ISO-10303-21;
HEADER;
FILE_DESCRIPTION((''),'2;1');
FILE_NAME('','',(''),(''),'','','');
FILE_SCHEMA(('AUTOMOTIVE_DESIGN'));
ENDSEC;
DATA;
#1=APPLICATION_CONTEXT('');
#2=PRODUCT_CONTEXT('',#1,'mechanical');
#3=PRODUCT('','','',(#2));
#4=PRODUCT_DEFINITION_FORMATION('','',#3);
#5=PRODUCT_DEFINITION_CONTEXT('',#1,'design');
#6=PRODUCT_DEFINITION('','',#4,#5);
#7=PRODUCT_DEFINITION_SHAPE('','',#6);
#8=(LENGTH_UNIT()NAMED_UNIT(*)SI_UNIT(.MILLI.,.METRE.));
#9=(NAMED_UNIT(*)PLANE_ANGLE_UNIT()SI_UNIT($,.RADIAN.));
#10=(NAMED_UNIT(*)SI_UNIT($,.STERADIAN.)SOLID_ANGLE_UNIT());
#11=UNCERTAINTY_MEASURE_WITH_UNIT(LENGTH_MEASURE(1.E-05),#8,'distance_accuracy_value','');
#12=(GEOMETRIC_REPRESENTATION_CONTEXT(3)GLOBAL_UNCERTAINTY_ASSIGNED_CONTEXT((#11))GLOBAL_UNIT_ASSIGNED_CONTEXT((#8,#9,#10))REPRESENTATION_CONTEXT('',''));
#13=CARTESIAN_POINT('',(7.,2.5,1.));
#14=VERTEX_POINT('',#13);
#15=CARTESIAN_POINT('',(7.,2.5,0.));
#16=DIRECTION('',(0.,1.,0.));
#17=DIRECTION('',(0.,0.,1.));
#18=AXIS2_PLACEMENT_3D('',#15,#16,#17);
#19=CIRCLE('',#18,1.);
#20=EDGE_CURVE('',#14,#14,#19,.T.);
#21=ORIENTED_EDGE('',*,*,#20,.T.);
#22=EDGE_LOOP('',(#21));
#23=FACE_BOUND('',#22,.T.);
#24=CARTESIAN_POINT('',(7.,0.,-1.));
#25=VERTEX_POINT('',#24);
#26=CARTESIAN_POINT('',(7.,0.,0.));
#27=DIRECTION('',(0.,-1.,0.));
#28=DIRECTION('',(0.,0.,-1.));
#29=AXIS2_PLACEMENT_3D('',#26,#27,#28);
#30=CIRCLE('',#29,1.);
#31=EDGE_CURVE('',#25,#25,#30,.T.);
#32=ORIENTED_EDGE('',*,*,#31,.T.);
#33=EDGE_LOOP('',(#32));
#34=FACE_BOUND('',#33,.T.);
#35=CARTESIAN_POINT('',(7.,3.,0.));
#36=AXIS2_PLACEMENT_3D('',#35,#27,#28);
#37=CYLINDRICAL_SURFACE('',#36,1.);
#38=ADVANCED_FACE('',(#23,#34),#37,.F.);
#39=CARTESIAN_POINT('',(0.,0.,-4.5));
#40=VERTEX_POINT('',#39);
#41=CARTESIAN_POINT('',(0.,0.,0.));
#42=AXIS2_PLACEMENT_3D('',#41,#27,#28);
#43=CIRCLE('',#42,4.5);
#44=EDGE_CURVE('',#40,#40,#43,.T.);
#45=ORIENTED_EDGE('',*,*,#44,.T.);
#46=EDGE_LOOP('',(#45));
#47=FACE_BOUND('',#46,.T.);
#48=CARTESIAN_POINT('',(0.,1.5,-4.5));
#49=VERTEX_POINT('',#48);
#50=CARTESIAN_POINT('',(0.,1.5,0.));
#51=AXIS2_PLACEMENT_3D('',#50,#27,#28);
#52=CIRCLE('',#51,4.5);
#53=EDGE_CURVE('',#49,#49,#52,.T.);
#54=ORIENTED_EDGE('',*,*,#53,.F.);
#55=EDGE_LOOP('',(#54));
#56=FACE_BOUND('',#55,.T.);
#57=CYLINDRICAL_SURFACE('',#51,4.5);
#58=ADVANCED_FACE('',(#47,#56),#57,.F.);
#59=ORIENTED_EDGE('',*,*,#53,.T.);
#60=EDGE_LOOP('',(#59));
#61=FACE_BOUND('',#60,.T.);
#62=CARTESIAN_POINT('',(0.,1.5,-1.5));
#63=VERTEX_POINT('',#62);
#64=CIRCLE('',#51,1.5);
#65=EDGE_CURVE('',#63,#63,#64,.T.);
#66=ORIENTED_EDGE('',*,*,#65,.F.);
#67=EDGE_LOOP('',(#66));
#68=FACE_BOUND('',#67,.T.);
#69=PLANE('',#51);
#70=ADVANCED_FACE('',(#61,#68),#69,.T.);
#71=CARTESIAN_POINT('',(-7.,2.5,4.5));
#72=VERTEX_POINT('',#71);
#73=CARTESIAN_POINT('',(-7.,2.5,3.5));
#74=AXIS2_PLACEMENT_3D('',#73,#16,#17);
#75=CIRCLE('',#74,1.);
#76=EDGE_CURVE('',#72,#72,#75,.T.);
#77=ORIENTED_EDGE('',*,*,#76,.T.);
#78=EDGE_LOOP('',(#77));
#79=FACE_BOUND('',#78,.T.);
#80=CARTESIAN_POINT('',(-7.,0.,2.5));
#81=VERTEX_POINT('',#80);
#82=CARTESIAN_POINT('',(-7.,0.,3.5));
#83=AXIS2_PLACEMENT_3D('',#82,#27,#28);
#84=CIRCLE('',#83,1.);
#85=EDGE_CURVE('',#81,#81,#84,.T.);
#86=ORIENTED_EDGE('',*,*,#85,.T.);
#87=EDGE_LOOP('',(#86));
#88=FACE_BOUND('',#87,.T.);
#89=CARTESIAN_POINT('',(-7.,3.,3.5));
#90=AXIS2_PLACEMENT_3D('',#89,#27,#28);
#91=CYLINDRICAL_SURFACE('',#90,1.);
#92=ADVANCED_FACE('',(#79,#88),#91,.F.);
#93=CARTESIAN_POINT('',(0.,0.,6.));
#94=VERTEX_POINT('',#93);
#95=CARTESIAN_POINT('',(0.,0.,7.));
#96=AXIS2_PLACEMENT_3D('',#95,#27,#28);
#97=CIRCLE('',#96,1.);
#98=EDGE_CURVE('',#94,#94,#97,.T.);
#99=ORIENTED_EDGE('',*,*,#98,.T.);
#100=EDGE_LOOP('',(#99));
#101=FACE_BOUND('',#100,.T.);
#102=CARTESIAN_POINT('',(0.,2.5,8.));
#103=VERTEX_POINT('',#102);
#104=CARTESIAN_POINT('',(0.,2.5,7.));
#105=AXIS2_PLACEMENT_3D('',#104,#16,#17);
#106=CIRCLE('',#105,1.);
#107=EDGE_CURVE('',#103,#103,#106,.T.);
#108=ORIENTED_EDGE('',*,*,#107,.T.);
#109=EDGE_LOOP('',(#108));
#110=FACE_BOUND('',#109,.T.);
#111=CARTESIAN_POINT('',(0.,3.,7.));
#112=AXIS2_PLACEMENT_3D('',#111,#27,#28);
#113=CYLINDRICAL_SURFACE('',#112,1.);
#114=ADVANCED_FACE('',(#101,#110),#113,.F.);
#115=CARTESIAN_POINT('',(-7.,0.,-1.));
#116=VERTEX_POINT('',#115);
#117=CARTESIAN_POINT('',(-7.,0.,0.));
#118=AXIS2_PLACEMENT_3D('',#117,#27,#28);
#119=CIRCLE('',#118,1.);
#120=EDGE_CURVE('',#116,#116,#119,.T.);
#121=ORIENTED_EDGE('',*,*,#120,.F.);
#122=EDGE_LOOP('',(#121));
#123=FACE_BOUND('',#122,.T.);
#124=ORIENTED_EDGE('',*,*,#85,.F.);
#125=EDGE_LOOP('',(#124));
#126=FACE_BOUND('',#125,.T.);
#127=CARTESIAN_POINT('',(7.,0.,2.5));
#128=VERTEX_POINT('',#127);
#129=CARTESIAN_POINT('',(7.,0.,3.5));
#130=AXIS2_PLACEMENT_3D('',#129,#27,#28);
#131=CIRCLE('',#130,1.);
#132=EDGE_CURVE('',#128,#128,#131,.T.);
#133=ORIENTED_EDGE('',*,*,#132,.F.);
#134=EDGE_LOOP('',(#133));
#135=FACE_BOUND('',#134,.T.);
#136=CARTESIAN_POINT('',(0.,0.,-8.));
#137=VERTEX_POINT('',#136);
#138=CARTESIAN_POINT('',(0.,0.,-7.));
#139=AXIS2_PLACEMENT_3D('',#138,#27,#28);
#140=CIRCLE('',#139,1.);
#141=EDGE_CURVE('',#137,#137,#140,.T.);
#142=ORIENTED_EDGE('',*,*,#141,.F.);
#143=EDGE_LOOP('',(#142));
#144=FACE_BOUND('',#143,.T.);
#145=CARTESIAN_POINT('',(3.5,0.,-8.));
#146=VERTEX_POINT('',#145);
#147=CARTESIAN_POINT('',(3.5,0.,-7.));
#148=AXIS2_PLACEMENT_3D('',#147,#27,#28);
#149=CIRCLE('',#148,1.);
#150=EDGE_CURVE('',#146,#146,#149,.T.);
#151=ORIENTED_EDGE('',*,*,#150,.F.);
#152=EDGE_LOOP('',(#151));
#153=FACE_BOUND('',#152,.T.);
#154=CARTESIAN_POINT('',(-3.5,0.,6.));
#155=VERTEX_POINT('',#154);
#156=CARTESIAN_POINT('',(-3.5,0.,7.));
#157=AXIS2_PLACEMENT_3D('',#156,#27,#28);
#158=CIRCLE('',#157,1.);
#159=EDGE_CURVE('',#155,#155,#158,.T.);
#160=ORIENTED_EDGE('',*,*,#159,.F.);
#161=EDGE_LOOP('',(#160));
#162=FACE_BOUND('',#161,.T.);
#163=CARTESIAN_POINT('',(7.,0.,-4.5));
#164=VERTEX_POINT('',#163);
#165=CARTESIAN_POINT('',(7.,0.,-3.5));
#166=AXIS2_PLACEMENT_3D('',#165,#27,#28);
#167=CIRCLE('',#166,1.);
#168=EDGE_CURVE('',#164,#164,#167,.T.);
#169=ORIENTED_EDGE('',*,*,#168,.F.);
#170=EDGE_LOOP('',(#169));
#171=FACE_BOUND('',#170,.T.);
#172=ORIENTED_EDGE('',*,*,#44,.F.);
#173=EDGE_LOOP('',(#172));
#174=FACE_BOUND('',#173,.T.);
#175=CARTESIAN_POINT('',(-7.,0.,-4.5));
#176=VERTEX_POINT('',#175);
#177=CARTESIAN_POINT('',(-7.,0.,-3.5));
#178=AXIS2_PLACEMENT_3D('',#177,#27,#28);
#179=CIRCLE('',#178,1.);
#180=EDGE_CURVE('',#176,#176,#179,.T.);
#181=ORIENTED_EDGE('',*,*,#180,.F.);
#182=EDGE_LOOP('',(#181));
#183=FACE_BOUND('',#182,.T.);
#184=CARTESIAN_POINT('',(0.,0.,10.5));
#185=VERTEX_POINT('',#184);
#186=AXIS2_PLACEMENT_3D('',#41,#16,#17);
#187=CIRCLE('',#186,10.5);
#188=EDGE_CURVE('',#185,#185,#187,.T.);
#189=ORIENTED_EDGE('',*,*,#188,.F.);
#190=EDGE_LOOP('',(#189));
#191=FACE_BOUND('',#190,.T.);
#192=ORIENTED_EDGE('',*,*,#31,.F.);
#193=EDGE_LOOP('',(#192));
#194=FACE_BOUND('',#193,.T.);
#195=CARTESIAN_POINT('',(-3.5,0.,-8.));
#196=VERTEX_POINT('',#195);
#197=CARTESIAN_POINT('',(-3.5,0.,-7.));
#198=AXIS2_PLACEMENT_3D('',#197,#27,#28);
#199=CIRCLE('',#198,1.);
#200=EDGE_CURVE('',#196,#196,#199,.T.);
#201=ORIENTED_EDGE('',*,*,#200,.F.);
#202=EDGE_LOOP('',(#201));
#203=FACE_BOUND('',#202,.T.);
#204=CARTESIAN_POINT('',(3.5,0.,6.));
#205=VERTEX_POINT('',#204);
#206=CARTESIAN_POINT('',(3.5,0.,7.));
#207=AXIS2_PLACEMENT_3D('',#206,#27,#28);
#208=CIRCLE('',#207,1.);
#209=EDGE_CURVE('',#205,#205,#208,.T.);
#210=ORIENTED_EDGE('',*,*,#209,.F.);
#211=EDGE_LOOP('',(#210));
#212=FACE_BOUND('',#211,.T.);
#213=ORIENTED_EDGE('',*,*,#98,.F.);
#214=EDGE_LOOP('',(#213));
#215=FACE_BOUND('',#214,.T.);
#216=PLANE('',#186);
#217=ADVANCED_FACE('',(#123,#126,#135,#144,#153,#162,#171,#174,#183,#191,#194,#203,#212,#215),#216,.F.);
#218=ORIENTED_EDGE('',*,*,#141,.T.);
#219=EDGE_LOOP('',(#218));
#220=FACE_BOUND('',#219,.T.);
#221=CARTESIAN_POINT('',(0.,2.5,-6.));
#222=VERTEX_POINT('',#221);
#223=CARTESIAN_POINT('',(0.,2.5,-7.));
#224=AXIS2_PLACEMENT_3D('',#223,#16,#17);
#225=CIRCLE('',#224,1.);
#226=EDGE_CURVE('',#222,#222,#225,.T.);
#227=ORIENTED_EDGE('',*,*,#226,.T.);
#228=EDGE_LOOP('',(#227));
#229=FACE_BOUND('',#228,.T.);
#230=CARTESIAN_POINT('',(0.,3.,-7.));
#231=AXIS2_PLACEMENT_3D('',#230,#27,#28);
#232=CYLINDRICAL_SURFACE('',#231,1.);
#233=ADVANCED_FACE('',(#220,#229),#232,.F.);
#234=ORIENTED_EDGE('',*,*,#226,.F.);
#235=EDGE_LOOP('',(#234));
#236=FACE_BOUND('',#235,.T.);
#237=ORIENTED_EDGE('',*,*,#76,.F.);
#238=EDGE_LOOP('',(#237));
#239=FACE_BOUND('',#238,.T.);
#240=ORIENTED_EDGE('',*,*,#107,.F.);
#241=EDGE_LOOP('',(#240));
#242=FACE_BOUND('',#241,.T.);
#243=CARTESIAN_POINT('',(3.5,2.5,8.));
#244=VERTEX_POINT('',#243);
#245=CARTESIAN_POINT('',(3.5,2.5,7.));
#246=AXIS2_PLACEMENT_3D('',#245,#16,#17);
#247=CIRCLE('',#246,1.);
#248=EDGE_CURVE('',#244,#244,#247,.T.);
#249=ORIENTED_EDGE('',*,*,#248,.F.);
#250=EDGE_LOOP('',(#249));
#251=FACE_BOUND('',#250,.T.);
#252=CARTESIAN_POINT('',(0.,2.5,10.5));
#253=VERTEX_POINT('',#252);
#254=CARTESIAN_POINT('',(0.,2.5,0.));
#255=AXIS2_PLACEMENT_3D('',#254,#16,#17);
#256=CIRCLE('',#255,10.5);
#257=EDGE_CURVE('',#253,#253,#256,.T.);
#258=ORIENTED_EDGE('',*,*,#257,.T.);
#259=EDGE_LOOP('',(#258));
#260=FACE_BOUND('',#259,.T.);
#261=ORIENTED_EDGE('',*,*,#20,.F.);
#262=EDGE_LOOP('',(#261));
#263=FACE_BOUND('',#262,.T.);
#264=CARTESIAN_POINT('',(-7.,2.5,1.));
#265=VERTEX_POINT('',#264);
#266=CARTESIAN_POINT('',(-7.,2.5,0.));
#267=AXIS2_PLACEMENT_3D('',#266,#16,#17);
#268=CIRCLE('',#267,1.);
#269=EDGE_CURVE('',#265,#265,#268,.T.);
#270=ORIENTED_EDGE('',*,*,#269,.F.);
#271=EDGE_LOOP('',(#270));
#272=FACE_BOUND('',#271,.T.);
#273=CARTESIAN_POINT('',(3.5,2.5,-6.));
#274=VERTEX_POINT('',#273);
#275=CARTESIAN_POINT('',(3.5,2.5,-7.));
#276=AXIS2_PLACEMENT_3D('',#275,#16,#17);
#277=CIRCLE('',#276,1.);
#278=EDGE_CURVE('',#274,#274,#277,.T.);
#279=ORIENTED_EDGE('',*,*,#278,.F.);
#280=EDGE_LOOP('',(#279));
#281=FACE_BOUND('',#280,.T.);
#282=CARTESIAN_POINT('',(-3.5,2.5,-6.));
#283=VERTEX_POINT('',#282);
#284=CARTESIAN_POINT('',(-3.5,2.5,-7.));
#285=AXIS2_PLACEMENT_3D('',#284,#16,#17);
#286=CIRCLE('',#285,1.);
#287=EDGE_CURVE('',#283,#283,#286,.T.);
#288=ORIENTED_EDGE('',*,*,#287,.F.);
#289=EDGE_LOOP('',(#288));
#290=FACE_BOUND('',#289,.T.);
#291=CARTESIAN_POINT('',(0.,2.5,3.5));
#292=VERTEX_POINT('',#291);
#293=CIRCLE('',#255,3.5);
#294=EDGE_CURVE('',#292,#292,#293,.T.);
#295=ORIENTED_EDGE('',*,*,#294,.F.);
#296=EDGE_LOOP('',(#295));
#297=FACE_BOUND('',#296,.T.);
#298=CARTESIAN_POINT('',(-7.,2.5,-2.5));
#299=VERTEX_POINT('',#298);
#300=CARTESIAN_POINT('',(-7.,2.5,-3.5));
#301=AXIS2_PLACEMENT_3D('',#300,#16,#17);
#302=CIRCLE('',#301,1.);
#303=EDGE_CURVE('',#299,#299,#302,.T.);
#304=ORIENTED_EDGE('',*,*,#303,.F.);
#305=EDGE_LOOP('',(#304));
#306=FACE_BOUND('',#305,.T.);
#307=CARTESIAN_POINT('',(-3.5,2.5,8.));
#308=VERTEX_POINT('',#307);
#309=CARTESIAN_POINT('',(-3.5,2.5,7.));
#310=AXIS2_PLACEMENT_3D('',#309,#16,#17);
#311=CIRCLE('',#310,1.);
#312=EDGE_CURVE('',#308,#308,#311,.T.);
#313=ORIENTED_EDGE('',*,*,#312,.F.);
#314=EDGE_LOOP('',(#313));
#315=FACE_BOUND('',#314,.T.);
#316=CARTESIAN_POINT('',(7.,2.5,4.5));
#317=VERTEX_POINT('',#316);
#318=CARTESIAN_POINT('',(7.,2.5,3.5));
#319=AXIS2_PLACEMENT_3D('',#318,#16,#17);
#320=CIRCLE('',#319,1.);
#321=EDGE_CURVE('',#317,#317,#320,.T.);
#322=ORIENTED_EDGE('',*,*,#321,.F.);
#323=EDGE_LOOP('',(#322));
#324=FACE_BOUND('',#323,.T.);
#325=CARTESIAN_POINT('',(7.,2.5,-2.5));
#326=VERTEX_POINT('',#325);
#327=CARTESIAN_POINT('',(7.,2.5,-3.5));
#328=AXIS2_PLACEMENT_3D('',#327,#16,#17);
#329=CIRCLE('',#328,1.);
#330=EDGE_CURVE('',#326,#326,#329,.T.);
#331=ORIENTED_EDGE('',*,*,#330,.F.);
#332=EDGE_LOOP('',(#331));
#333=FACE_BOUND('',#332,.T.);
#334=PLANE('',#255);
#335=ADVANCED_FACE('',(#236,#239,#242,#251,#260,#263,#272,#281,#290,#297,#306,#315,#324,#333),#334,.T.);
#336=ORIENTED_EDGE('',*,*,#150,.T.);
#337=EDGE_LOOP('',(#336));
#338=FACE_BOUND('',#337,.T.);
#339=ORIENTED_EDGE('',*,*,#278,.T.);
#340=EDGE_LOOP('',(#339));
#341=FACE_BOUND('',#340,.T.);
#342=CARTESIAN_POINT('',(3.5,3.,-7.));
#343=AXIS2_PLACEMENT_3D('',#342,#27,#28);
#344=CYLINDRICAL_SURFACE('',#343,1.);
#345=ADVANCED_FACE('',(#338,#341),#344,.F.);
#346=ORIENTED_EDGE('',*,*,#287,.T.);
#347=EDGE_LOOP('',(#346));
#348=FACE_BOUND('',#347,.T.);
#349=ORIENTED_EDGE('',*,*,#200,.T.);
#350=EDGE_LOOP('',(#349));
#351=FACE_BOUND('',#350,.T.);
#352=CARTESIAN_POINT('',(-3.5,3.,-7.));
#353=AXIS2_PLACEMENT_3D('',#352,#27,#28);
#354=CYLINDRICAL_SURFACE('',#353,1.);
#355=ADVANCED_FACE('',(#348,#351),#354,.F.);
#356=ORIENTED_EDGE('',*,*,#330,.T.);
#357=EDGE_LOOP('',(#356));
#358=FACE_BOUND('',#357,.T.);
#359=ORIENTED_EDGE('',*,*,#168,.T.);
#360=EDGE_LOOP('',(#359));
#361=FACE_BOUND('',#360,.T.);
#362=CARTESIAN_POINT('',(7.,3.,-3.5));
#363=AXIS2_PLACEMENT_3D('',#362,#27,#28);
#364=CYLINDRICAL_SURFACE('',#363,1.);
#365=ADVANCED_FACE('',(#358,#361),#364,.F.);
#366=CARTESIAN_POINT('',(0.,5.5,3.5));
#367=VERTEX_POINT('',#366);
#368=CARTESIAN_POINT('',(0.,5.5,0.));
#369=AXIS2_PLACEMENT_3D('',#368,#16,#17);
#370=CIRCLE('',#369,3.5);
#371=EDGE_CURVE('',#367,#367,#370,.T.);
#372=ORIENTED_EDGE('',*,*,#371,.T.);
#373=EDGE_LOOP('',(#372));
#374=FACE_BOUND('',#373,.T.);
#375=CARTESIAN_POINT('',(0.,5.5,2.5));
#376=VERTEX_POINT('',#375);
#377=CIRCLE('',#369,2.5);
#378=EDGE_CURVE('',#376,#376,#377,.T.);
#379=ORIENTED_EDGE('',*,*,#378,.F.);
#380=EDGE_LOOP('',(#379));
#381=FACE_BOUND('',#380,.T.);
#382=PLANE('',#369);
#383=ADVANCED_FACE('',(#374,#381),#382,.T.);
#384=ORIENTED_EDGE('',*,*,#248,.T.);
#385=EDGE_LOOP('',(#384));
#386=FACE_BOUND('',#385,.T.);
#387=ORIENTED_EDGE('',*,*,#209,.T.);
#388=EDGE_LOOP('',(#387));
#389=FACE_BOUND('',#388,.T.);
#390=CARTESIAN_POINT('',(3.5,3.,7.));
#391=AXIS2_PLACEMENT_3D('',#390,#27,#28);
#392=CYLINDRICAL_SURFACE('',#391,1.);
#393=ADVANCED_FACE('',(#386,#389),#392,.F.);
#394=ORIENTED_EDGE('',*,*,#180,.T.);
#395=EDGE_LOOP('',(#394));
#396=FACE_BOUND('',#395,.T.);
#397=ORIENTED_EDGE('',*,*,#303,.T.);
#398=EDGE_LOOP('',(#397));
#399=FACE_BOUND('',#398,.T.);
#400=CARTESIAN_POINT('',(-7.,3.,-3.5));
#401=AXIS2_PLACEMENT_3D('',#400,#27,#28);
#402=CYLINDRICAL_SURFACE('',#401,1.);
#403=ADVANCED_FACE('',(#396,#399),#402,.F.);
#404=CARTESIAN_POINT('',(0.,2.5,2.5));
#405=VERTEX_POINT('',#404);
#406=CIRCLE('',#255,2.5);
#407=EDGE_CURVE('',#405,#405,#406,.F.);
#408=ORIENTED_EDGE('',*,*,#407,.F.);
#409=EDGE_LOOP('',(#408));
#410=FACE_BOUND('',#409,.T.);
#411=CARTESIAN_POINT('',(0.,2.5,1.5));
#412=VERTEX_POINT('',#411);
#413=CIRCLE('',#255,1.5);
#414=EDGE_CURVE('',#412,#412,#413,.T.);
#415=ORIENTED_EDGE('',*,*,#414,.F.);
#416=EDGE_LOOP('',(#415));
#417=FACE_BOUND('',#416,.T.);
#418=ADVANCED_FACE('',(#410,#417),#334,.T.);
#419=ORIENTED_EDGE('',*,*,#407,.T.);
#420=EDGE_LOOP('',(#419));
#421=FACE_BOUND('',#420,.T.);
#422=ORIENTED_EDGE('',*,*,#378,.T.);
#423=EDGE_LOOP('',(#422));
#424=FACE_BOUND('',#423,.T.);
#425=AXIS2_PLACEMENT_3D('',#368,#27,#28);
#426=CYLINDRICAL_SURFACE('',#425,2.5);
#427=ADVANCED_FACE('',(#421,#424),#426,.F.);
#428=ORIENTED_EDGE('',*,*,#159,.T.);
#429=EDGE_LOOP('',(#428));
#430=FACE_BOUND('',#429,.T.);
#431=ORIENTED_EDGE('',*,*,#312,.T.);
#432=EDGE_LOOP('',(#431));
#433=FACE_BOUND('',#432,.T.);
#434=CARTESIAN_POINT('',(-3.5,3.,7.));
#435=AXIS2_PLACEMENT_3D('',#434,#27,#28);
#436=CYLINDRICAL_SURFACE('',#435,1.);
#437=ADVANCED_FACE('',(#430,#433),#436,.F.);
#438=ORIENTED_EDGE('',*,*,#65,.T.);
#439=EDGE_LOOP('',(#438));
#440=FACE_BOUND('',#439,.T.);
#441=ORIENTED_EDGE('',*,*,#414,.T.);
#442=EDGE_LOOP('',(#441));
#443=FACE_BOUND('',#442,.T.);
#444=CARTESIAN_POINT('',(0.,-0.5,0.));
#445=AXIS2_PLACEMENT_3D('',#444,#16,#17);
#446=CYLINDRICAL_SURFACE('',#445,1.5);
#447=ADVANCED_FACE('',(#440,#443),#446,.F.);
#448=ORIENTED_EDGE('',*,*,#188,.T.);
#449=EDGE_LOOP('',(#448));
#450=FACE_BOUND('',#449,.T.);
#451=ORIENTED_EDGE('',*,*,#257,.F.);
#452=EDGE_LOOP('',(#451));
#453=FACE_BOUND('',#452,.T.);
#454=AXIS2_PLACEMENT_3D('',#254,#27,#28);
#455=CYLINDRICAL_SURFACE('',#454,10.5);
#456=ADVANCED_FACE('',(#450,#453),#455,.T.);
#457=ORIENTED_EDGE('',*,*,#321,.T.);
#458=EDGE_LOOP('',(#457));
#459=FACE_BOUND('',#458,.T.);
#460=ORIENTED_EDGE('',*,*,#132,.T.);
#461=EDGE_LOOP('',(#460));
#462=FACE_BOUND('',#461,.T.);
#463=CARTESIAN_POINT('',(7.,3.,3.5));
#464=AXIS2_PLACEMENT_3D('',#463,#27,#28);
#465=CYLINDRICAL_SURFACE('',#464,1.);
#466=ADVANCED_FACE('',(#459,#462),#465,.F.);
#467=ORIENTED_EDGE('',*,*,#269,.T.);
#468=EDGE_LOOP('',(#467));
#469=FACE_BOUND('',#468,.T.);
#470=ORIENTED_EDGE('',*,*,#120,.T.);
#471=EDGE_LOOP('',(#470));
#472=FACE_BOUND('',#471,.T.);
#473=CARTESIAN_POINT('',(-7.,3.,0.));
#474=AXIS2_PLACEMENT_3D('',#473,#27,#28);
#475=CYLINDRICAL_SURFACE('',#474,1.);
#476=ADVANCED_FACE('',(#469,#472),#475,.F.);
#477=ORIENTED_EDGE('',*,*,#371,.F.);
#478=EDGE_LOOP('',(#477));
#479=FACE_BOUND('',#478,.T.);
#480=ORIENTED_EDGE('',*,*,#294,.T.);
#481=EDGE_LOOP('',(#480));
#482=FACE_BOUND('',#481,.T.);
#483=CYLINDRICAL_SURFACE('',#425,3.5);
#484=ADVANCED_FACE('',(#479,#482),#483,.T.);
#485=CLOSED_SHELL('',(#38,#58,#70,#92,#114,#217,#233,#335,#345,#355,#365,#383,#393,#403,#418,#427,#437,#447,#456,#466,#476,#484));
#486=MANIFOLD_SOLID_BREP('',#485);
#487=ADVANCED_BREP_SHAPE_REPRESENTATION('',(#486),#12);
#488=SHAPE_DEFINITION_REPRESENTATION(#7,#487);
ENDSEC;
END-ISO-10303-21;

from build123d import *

# Parameters (mm, degrees)
SKETCH1_R           = 10.5
BOSS_EXTRUDE1_DEPTH = 2.5
SKETCH2_R           = 3.5
SKETCH2_R_2         = 2.5
BOSS_EXTRUDE2_DEPTH = 3
SKETCH3_R           = 1.5
CUT_EXTRUDE1_DEPTH  = 3
CUT_EXTRUDE2_START  = -1.5
SKETCH4_R           = 4.5
SKETCH4_R_2         = 1.5
CUT_EXTRUDE2_DEPTH  = 1.5
SKETCH5_R           = 1
CUT_EXTRUDE3_DEPTH  = 3


with BuildPart() as part:
    # Sketch1 → Boss-Extrude1 (new body)
    with BuildSketch(Plane(origin=(0, 0, 0), x_dir=(1, 0, 0), z_dir=(0, 1, 0))):
        with Locations(Location((0, 0, 0), (0, 0, 270))):
            Circle(SKETCH1_R)
    extrude(amount=BOSS_EXTRUDE1_DEPTH)

    # Sketch2 → Boss-Extrude2 (add)
    with BuildSketch(Plane(origin=(0, 2.5, 0), x_dir=(1, 0, 0), z_dir=(0, 1, 0))):
        with Locations(Location((0, 0, 0), (0, 0, 270))):
            Circle(SKETCH2_R)
        with Locations(Location((0, 0, 0), (0, 0, 270))):
            Circle(SKETCH2_R_2, mode=Mode.SUBTRACT)
    extrude(amount=BOSS_EXTRUDE2_DEPTH)

    # Sketch3 → Cut-Extrude1 (cut)
    with BuildSketch(Plane(origin=(0, 2.5, 0), x_dir=(1, 0, 0), z_dir=(0, 1, 0))):
        with Locations(Location((0, 0, 0), (0, 0, 270))):
            Circle(SKETCH3_R)
    extrude(amount=-CUT_EXTRUDE1_DEPTH, mode=Mode.SUBTRACT)

    # Sketch4 → Cut-Extrude2 (cut)
    with BuildSketch(Plane.XZ.offset(CUT_EXTRUDE2_START)):
        with Locations(Location((0, 0, 0), (0, 0, 270))):
            Circle(SKETCH4_R)
        with Locations(Location((0, 0, 0), (0, 0, 90))):
            Circle(SKETCH4_R_2, mode=Mode.SUBTRACT)
    extrude(amount=CUT_EXTRUDE2_DEPTH, mode=Mode.SUBTRACT)

    # Sketch5 → Cut-Extrude3 (cut)
    with BuildSketch(Plane.XZ):
        with Locations(Location((0, 7, 0), (0, 0, 270))):
            Circle(SKETCH5_R)
        with Locations(Location((3.5, 7, 0), (0, 0, 270))):
            Circle(SKETCH5_R)
        with Locations(Location((-3.5, 7, 0), (0, 0, 270))):
            Circle(SKETCH5_R)
        with Locations(Location((7, 3.5, 0), (0, 0, 270))):
            Circle(SKETCH5_R)
        with Locations(Location((7, 0, 0), (0, 0, 270))):
            Circle(SKETCH5_R)
        with Locations(Location((7, -3.5, 0), (0, 0, 270))):
            Circle(SKETCH5_R)
        with Locations(Location((3.5, -7, 0), (0, 0, 270))):
            Circle(SKETCH5_R)
        with Locations(Location((0, -7, 0), (0, 0, 270))):
            Circle(SKETCH5_R)
        with Locations(Location((-3.5, -7, 0), (0, 0, 270))):
            Circle(SKETCH5_R)
        with Locations(Location((-7, -3.5, 0), (0, 0, 270))):
            Circle(SKETCH5_R)
        with Locations(Location((-7, 0, 0), (0, 0, 270))):
            Circle(SKETCH5_R)
        with Locations(Location((-7, 3.5, 0), (0, 0, 270))):
            Circle(SKETCH5_R)
    extrude(amount=-CUT_EXTRUDE3_DEPTH, mode=Mode.SUBTRACT)


solid = part.part
